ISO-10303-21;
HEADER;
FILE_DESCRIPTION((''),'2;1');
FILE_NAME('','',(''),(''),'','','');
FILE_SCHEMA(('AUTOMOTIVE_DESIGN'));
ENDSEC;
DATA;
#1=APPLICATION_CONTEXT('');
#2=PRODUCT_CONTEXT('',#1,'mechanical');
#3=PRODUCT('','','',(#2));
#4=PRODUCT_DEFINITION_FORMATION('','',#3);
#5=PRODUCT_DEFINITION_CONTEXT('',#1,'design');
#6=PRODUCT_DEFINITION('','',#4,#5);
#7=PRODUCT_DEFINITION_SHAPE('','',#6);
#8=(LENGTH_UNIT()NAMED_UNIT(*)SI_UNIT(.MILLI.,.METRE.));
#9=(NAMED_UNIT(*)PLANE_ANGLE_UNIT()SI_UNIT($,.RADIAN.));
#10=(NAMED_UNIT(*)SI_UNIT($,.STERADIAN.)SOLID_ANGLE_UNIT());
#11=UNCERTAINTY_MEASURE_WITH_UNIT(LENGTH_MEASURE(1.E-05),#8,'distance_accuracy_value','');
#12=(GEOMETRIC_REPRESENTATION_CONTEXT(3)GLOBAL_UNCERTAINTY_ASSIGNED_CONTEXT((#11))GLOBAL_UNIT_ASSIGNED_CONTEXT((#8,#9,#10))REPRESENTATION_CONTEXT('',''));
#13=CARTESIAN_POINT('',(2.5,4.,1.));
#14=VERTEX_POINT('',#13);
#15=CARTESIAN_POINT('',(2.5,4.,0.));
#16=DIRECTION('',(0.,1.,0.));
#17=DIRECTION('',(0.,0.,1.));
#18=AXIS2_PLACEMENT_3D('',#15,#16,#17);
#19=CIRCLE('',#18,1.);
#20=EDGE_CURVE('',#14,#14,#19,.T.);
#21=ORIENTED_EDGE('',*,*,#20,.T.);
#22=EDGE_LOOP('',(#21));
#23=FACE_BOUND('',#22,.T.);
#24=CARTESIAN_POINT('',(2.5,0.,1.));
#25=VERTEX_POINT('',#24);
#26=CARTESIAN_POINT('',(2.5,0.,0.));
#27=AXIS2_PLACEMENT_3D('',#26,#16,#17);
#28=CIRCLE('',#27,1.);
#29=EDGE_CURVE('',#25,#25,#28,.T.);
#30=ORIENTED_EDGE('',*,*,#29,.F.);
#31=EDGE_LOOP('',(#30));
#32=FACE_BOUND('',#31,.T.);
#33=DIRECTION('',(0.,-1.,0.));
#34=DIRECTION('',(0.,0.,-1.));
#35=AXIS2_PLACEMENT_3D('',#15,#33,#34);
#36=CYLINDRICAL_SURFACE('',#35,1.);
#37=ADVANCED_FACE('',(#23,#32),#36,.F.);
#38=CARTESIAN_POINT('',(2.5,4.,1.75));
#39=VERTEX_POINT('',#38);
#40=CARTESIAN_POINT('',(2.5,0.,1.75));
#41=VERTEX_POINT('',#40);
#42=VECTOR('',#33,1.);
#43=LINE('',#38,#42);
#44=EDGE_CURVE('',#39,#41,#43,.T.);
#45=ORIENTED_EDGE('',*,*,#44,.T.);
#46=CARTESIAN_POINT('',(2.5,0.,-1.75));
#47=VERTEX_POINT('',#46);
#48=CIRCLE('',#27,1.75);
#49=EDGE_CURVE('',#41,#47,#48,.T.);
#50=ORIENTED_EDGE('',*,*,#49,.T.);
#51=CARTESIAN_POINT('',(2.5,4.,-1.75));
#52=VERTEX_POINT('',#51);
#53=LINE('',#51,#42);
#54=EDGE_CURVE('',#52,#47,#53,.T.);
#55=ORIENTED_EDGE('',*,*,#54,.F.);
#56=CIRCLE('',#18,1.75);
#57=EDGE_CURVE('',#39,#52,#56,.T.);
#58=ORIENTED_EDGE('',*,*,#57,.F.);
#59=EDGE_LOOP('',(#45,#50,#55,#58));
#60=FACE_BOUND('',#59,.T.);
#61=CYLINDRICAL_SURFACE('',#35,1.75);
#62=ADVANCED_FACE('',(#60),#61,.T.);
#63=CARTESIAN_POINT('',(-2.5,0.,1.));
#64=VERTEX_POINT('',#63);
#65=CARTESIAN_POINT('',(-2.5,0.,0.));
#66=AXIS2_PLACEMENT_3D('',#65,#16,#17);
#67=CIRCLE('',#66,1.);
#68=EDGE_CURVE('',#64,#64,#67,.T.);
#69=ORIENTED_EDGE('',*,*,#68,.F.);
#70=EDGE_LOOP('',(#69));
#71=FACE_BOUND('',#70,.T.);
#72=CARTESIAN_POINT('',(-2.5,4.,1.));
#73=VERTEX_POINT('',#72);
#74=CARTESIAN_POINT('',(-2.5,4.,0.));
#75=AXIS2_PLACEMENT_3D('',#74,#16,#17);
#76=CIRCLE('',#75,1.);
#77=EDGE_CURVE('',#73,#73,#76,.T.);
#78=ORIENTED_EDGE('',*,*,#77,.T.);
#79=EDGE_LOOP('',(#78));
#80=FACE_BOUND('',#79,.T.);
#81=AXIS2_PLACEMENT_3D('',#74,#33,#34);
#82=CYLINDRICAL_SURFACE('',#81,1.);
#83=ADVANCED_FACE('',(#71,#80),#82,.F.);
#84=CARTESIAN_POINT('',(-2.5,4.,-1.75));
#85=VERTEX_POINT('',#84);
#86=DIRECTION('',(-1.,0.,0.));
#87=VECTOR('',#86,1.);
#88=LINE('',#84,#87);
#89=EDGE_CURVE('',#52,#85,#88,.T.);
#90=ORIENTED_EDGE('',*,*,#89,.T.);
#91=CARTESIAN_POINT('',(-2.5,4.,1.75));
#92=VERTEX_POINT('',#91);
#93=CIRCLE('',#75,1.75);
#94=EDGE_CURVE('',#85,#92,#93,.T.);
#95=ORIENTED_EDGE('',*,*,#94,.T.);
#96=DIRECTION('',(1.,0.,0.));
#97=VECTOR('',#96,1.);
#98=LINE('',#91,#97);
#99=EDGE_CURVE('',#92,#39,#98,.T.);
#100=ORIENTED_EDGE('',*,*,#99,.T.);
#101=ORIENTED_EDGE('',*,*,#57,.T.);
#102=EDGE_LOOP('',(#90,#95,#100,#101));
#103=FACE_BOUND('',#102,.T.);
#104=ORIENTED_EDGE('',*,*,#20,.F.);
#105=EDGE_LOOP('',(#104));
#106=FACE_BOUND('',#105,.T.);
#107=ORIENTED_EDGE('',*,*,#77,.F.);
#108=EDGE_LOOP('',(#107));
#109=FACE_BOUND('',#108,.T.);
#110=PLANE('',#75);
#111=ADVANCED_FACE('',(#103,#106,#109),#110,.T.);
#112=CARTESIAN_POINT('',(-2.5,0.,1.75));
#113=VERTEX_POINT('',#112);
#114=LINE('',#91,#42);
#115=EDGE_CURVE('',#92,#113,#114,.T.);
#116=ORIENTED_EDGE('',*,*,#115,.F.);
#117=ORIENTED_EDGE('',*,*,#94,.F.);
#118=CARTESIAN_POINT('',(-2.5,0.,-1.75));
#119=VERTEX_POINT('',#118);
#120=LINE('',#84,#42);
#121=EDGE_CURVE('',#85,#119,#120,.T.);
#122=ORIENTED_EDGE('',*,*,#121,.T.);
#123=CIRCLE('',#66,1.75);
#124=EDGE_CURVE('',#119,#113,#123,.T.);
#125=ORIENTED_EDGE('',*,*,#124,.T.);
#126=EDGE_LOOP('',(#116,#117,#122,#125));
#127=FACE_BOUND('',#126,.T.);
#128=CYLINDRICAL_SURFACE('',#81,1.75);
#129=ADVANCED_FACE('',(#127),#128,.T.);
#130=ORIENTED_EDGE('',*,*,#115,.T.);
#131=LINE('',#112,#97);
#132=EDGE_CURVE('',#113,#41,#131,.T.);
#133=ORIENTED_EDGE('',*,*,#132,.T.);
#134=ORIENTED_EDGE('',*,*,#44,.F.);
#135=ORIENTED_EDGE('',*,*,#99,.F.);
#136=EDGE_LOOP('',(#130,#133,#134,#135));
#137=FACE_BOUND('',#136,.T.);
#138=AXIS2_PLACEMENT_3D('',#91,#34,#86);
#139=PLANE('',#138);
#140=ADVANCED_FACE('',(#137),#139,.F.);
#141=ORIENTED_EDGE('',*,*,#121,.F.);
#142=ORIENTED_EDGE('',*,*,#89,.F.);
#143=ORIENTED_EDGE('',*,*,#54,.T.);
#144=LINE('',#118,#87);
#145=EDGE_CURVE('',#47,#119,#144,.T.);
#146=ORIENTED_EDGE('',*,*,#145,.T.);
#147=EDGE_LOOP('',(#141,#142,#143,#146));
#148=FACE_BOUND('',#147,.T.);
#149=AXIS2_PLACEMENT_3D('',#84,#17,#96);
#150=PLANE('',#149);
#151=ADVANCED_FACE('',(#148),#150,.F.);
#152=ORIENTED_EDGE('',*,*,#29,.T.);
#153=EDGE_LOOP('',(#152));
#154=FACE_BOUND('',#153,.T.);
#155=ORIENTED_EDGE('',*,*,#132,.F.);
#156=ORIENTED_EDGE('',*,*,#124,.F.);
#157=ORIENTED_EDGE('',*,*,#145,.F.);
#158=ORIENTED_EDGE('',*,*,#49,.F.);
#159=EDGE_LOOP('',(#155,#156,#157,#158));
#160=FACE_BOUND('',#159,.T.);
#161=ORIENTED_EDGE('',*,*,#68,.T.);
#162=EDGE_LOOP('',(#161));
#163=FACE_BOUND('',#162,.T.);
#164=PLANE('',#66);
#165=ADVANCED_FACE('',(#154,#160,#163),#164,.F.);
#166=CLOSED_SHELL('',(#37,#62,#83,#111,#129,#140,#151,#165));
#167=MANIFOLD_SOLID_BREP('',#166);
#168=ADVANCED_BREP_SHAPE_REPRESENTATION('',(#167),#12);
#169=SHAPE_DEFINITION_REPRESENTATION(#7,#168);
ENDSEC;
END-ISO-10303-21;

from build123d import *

# Parameters (mm, degrees)
SKETCH1_R           = 1
BOSS_EXTRUDE1_DEPTH = 4


with BuildPart() as part:
    # Sketch1 → Boss-Extrude1 (new body)
    with BuildSketch(Plane(origin=(0, 0, 0), x_dir=(1, 0, 0), z_dir=(0, 1, 0))):
        with BuildLine():
            Line((-2.5, 1.75), (2.5, 1.75))
            ThreePointArc((2.5, 1.75), (4.25, 0), (2.5, -1.75))
            Line((2.5, -1.75), (-2.5, -1.75))
            ThreePointArc((-2.5, -1.75), (-4.25, 0), (-2.5, 1.75))
        make_face()
        with Locations(Location((2.5, 0, 0), (0, 0, 270))):
            Circle(SKETCH1_R, mode=Mode.SUBTRACT)
        with Locations(Location((-2.5, 0, 0), (0, 0, 270))):
            Circle(SKETCH1_R, mode=Mode.SUBTRACT)
    extrude(amount=BOSS_EXTRUDE1_DEPTH)


solid = part.part
